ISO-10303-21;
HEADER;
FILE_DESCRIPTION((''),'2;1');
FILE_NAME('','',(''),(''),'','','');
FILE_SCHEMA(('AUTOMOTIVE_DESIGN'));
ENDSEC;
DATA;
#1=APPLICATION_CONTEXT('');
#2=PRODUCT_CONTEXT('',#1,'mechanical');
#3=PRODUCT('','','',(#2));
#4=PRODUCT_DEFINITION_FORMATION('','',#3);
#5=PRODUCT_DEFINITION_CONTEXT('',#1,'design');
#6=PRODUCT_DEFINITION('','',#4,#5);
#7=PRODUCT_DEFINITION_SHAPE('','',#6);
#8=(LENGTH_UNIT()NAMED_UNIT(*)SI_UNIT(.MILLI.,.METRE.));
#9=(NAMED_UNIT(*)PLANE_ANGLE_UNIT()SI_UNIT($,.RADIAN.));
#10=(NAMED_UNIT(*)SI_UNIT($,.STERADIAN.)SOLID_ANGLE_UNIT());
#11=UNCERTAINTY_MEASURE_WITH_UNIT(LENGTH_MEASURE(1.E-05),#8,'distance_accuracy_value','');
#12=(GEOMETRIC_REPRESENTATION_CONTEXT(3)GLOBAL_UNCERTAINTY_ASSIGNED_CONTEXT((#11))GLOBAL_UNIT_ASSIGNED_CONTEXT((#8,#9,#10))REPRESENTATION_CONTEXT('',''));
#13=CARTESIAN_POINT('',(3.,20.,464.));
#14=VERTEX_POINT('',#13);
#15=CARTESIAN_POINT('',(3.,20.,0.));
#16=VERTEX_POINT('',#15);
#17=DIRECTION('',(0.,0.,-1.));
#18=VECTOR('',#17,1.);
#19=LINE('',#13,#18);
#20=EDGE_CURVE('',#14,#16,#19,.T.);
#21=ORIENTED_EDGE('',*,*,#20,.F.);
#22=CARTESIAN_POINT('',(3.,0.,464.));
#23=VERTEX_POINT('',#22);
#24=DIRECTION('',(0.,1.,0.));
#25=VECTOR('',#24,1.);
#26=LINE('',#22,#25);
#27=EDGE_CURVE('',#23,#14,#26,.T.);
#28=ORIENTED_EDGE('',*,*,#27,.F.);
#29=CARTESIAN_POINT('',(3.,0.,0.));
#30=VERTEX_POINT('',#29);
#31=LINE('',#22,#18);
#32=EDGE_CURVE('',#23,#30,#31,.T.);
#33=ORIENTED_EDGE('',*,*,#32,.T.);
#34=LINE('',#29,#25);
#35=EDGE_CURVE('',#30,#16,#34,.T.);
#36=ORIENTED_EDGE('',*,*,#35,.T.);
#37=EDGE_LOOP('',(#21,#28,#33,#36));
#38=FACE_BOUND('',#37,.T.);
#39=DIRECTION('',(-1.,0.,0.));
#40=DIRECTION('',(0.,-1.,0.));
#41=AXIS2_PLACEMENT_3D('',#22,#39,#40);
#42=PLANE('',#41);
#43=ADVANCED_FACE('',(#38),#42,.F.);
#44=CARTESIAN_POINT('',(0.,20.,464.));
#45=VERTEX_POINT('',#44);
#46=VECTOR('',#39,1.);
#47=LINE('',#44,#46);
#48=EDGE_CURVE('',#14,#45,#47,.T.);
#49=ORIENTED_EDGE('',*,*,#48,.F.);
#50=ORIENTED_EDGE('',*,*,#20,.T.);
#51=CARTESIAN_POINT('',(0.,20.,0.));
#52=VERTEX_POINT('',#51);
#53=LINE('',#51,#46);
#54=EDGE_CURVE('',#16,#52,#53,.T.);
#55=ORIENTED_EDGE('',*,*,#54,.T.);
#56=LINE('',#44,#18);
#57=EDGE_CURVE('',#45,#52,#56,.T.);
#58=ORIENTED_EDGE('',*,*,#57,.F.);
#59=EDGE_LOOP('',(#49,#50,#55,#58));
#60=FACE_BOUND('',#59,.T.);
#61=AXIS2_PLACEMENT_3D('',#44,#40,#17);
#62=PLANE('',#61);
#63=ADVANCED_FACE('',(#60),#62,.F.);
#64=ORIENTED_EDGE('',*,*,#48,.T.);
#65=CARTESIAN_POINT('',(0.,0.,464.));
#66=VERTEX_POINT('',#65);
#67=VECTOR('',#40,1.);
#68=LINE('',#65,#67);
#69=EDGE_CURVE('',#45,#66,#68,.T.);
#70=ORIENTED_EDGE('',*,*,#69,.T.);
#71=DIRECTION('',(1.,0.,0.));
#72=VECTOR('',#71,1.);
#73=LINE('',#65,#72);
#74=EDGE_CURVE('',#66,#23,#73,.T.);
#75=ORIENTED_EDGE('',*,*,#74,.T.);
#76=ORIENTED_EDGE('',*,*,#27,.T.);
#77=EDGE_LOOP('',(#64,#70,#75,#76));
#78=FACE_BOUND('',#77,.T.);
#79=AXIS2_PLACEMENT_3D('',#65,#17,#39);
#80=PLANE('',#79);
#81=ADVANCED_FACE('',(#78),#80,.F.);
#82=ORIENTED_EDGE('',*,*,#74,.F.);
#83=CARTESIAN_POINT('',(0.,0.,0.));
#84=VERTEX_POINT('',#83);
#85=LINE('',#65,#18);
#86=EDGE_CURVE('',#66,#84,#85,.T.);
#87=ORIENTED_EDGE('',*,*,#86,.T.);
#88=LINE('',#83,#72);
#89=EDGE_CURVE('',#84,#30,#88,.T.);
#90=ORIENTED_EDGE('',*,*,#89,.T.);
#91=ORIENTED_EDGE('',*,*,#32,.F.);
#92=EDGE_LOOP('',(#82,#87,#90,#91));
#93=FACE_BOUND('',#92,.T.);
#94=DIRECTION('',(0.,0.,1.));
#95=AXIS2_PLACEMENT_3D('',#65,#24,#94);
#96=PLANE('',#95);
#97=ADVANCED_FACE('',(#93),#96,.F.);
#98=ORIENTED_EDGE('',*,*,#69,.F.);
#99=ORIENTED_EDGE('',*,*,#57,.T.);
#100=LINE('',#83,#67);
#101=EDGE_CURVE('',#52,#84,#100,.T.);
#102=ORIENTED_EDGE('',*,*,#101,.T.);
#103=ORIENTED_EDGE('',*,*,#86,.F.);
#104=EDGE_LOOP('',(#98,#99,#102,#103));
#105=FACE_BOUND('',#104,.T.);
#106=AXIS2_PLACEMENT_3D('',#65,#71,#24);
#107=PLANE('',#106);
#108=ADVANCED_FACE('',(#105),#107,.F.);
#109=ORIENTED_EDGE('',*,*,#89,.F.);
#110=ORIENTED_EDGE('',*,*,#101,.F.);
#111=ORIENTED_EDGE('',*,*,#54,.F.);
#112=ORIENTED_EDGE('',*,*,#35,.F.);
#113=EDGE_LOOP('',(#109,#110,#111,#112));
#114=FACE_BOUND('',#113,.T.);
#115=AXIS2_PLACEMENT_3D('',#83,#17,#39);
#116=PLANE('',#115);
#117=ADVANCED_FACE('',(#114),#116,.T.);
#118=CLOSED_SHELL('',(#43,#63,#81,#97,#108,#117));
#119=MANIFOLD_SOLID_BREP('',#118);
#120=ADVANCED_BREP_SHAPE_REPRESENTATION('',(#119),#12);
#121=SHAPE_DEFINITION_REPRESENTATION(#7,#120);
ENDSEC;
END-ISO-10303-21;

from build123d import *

# Parameters (mm, degrees)
ESQUISSE1_W        = 3
ESQUISSE1_H        = 20
BOSS_EXTRU_1_DEPTH = 464


with BuildPart() as part:
    # Esquisse1 → Boss.-Extru.1 (new body)
    with BuildSketch(Plane.XY):
        with Locations((1.5, 10)):
            Rectangle(ESQUISSE1_W, ESQUISSE1_H)
    extrude(amount=BOSS_EXTRU_1_DEPTH)


solid = part.part
